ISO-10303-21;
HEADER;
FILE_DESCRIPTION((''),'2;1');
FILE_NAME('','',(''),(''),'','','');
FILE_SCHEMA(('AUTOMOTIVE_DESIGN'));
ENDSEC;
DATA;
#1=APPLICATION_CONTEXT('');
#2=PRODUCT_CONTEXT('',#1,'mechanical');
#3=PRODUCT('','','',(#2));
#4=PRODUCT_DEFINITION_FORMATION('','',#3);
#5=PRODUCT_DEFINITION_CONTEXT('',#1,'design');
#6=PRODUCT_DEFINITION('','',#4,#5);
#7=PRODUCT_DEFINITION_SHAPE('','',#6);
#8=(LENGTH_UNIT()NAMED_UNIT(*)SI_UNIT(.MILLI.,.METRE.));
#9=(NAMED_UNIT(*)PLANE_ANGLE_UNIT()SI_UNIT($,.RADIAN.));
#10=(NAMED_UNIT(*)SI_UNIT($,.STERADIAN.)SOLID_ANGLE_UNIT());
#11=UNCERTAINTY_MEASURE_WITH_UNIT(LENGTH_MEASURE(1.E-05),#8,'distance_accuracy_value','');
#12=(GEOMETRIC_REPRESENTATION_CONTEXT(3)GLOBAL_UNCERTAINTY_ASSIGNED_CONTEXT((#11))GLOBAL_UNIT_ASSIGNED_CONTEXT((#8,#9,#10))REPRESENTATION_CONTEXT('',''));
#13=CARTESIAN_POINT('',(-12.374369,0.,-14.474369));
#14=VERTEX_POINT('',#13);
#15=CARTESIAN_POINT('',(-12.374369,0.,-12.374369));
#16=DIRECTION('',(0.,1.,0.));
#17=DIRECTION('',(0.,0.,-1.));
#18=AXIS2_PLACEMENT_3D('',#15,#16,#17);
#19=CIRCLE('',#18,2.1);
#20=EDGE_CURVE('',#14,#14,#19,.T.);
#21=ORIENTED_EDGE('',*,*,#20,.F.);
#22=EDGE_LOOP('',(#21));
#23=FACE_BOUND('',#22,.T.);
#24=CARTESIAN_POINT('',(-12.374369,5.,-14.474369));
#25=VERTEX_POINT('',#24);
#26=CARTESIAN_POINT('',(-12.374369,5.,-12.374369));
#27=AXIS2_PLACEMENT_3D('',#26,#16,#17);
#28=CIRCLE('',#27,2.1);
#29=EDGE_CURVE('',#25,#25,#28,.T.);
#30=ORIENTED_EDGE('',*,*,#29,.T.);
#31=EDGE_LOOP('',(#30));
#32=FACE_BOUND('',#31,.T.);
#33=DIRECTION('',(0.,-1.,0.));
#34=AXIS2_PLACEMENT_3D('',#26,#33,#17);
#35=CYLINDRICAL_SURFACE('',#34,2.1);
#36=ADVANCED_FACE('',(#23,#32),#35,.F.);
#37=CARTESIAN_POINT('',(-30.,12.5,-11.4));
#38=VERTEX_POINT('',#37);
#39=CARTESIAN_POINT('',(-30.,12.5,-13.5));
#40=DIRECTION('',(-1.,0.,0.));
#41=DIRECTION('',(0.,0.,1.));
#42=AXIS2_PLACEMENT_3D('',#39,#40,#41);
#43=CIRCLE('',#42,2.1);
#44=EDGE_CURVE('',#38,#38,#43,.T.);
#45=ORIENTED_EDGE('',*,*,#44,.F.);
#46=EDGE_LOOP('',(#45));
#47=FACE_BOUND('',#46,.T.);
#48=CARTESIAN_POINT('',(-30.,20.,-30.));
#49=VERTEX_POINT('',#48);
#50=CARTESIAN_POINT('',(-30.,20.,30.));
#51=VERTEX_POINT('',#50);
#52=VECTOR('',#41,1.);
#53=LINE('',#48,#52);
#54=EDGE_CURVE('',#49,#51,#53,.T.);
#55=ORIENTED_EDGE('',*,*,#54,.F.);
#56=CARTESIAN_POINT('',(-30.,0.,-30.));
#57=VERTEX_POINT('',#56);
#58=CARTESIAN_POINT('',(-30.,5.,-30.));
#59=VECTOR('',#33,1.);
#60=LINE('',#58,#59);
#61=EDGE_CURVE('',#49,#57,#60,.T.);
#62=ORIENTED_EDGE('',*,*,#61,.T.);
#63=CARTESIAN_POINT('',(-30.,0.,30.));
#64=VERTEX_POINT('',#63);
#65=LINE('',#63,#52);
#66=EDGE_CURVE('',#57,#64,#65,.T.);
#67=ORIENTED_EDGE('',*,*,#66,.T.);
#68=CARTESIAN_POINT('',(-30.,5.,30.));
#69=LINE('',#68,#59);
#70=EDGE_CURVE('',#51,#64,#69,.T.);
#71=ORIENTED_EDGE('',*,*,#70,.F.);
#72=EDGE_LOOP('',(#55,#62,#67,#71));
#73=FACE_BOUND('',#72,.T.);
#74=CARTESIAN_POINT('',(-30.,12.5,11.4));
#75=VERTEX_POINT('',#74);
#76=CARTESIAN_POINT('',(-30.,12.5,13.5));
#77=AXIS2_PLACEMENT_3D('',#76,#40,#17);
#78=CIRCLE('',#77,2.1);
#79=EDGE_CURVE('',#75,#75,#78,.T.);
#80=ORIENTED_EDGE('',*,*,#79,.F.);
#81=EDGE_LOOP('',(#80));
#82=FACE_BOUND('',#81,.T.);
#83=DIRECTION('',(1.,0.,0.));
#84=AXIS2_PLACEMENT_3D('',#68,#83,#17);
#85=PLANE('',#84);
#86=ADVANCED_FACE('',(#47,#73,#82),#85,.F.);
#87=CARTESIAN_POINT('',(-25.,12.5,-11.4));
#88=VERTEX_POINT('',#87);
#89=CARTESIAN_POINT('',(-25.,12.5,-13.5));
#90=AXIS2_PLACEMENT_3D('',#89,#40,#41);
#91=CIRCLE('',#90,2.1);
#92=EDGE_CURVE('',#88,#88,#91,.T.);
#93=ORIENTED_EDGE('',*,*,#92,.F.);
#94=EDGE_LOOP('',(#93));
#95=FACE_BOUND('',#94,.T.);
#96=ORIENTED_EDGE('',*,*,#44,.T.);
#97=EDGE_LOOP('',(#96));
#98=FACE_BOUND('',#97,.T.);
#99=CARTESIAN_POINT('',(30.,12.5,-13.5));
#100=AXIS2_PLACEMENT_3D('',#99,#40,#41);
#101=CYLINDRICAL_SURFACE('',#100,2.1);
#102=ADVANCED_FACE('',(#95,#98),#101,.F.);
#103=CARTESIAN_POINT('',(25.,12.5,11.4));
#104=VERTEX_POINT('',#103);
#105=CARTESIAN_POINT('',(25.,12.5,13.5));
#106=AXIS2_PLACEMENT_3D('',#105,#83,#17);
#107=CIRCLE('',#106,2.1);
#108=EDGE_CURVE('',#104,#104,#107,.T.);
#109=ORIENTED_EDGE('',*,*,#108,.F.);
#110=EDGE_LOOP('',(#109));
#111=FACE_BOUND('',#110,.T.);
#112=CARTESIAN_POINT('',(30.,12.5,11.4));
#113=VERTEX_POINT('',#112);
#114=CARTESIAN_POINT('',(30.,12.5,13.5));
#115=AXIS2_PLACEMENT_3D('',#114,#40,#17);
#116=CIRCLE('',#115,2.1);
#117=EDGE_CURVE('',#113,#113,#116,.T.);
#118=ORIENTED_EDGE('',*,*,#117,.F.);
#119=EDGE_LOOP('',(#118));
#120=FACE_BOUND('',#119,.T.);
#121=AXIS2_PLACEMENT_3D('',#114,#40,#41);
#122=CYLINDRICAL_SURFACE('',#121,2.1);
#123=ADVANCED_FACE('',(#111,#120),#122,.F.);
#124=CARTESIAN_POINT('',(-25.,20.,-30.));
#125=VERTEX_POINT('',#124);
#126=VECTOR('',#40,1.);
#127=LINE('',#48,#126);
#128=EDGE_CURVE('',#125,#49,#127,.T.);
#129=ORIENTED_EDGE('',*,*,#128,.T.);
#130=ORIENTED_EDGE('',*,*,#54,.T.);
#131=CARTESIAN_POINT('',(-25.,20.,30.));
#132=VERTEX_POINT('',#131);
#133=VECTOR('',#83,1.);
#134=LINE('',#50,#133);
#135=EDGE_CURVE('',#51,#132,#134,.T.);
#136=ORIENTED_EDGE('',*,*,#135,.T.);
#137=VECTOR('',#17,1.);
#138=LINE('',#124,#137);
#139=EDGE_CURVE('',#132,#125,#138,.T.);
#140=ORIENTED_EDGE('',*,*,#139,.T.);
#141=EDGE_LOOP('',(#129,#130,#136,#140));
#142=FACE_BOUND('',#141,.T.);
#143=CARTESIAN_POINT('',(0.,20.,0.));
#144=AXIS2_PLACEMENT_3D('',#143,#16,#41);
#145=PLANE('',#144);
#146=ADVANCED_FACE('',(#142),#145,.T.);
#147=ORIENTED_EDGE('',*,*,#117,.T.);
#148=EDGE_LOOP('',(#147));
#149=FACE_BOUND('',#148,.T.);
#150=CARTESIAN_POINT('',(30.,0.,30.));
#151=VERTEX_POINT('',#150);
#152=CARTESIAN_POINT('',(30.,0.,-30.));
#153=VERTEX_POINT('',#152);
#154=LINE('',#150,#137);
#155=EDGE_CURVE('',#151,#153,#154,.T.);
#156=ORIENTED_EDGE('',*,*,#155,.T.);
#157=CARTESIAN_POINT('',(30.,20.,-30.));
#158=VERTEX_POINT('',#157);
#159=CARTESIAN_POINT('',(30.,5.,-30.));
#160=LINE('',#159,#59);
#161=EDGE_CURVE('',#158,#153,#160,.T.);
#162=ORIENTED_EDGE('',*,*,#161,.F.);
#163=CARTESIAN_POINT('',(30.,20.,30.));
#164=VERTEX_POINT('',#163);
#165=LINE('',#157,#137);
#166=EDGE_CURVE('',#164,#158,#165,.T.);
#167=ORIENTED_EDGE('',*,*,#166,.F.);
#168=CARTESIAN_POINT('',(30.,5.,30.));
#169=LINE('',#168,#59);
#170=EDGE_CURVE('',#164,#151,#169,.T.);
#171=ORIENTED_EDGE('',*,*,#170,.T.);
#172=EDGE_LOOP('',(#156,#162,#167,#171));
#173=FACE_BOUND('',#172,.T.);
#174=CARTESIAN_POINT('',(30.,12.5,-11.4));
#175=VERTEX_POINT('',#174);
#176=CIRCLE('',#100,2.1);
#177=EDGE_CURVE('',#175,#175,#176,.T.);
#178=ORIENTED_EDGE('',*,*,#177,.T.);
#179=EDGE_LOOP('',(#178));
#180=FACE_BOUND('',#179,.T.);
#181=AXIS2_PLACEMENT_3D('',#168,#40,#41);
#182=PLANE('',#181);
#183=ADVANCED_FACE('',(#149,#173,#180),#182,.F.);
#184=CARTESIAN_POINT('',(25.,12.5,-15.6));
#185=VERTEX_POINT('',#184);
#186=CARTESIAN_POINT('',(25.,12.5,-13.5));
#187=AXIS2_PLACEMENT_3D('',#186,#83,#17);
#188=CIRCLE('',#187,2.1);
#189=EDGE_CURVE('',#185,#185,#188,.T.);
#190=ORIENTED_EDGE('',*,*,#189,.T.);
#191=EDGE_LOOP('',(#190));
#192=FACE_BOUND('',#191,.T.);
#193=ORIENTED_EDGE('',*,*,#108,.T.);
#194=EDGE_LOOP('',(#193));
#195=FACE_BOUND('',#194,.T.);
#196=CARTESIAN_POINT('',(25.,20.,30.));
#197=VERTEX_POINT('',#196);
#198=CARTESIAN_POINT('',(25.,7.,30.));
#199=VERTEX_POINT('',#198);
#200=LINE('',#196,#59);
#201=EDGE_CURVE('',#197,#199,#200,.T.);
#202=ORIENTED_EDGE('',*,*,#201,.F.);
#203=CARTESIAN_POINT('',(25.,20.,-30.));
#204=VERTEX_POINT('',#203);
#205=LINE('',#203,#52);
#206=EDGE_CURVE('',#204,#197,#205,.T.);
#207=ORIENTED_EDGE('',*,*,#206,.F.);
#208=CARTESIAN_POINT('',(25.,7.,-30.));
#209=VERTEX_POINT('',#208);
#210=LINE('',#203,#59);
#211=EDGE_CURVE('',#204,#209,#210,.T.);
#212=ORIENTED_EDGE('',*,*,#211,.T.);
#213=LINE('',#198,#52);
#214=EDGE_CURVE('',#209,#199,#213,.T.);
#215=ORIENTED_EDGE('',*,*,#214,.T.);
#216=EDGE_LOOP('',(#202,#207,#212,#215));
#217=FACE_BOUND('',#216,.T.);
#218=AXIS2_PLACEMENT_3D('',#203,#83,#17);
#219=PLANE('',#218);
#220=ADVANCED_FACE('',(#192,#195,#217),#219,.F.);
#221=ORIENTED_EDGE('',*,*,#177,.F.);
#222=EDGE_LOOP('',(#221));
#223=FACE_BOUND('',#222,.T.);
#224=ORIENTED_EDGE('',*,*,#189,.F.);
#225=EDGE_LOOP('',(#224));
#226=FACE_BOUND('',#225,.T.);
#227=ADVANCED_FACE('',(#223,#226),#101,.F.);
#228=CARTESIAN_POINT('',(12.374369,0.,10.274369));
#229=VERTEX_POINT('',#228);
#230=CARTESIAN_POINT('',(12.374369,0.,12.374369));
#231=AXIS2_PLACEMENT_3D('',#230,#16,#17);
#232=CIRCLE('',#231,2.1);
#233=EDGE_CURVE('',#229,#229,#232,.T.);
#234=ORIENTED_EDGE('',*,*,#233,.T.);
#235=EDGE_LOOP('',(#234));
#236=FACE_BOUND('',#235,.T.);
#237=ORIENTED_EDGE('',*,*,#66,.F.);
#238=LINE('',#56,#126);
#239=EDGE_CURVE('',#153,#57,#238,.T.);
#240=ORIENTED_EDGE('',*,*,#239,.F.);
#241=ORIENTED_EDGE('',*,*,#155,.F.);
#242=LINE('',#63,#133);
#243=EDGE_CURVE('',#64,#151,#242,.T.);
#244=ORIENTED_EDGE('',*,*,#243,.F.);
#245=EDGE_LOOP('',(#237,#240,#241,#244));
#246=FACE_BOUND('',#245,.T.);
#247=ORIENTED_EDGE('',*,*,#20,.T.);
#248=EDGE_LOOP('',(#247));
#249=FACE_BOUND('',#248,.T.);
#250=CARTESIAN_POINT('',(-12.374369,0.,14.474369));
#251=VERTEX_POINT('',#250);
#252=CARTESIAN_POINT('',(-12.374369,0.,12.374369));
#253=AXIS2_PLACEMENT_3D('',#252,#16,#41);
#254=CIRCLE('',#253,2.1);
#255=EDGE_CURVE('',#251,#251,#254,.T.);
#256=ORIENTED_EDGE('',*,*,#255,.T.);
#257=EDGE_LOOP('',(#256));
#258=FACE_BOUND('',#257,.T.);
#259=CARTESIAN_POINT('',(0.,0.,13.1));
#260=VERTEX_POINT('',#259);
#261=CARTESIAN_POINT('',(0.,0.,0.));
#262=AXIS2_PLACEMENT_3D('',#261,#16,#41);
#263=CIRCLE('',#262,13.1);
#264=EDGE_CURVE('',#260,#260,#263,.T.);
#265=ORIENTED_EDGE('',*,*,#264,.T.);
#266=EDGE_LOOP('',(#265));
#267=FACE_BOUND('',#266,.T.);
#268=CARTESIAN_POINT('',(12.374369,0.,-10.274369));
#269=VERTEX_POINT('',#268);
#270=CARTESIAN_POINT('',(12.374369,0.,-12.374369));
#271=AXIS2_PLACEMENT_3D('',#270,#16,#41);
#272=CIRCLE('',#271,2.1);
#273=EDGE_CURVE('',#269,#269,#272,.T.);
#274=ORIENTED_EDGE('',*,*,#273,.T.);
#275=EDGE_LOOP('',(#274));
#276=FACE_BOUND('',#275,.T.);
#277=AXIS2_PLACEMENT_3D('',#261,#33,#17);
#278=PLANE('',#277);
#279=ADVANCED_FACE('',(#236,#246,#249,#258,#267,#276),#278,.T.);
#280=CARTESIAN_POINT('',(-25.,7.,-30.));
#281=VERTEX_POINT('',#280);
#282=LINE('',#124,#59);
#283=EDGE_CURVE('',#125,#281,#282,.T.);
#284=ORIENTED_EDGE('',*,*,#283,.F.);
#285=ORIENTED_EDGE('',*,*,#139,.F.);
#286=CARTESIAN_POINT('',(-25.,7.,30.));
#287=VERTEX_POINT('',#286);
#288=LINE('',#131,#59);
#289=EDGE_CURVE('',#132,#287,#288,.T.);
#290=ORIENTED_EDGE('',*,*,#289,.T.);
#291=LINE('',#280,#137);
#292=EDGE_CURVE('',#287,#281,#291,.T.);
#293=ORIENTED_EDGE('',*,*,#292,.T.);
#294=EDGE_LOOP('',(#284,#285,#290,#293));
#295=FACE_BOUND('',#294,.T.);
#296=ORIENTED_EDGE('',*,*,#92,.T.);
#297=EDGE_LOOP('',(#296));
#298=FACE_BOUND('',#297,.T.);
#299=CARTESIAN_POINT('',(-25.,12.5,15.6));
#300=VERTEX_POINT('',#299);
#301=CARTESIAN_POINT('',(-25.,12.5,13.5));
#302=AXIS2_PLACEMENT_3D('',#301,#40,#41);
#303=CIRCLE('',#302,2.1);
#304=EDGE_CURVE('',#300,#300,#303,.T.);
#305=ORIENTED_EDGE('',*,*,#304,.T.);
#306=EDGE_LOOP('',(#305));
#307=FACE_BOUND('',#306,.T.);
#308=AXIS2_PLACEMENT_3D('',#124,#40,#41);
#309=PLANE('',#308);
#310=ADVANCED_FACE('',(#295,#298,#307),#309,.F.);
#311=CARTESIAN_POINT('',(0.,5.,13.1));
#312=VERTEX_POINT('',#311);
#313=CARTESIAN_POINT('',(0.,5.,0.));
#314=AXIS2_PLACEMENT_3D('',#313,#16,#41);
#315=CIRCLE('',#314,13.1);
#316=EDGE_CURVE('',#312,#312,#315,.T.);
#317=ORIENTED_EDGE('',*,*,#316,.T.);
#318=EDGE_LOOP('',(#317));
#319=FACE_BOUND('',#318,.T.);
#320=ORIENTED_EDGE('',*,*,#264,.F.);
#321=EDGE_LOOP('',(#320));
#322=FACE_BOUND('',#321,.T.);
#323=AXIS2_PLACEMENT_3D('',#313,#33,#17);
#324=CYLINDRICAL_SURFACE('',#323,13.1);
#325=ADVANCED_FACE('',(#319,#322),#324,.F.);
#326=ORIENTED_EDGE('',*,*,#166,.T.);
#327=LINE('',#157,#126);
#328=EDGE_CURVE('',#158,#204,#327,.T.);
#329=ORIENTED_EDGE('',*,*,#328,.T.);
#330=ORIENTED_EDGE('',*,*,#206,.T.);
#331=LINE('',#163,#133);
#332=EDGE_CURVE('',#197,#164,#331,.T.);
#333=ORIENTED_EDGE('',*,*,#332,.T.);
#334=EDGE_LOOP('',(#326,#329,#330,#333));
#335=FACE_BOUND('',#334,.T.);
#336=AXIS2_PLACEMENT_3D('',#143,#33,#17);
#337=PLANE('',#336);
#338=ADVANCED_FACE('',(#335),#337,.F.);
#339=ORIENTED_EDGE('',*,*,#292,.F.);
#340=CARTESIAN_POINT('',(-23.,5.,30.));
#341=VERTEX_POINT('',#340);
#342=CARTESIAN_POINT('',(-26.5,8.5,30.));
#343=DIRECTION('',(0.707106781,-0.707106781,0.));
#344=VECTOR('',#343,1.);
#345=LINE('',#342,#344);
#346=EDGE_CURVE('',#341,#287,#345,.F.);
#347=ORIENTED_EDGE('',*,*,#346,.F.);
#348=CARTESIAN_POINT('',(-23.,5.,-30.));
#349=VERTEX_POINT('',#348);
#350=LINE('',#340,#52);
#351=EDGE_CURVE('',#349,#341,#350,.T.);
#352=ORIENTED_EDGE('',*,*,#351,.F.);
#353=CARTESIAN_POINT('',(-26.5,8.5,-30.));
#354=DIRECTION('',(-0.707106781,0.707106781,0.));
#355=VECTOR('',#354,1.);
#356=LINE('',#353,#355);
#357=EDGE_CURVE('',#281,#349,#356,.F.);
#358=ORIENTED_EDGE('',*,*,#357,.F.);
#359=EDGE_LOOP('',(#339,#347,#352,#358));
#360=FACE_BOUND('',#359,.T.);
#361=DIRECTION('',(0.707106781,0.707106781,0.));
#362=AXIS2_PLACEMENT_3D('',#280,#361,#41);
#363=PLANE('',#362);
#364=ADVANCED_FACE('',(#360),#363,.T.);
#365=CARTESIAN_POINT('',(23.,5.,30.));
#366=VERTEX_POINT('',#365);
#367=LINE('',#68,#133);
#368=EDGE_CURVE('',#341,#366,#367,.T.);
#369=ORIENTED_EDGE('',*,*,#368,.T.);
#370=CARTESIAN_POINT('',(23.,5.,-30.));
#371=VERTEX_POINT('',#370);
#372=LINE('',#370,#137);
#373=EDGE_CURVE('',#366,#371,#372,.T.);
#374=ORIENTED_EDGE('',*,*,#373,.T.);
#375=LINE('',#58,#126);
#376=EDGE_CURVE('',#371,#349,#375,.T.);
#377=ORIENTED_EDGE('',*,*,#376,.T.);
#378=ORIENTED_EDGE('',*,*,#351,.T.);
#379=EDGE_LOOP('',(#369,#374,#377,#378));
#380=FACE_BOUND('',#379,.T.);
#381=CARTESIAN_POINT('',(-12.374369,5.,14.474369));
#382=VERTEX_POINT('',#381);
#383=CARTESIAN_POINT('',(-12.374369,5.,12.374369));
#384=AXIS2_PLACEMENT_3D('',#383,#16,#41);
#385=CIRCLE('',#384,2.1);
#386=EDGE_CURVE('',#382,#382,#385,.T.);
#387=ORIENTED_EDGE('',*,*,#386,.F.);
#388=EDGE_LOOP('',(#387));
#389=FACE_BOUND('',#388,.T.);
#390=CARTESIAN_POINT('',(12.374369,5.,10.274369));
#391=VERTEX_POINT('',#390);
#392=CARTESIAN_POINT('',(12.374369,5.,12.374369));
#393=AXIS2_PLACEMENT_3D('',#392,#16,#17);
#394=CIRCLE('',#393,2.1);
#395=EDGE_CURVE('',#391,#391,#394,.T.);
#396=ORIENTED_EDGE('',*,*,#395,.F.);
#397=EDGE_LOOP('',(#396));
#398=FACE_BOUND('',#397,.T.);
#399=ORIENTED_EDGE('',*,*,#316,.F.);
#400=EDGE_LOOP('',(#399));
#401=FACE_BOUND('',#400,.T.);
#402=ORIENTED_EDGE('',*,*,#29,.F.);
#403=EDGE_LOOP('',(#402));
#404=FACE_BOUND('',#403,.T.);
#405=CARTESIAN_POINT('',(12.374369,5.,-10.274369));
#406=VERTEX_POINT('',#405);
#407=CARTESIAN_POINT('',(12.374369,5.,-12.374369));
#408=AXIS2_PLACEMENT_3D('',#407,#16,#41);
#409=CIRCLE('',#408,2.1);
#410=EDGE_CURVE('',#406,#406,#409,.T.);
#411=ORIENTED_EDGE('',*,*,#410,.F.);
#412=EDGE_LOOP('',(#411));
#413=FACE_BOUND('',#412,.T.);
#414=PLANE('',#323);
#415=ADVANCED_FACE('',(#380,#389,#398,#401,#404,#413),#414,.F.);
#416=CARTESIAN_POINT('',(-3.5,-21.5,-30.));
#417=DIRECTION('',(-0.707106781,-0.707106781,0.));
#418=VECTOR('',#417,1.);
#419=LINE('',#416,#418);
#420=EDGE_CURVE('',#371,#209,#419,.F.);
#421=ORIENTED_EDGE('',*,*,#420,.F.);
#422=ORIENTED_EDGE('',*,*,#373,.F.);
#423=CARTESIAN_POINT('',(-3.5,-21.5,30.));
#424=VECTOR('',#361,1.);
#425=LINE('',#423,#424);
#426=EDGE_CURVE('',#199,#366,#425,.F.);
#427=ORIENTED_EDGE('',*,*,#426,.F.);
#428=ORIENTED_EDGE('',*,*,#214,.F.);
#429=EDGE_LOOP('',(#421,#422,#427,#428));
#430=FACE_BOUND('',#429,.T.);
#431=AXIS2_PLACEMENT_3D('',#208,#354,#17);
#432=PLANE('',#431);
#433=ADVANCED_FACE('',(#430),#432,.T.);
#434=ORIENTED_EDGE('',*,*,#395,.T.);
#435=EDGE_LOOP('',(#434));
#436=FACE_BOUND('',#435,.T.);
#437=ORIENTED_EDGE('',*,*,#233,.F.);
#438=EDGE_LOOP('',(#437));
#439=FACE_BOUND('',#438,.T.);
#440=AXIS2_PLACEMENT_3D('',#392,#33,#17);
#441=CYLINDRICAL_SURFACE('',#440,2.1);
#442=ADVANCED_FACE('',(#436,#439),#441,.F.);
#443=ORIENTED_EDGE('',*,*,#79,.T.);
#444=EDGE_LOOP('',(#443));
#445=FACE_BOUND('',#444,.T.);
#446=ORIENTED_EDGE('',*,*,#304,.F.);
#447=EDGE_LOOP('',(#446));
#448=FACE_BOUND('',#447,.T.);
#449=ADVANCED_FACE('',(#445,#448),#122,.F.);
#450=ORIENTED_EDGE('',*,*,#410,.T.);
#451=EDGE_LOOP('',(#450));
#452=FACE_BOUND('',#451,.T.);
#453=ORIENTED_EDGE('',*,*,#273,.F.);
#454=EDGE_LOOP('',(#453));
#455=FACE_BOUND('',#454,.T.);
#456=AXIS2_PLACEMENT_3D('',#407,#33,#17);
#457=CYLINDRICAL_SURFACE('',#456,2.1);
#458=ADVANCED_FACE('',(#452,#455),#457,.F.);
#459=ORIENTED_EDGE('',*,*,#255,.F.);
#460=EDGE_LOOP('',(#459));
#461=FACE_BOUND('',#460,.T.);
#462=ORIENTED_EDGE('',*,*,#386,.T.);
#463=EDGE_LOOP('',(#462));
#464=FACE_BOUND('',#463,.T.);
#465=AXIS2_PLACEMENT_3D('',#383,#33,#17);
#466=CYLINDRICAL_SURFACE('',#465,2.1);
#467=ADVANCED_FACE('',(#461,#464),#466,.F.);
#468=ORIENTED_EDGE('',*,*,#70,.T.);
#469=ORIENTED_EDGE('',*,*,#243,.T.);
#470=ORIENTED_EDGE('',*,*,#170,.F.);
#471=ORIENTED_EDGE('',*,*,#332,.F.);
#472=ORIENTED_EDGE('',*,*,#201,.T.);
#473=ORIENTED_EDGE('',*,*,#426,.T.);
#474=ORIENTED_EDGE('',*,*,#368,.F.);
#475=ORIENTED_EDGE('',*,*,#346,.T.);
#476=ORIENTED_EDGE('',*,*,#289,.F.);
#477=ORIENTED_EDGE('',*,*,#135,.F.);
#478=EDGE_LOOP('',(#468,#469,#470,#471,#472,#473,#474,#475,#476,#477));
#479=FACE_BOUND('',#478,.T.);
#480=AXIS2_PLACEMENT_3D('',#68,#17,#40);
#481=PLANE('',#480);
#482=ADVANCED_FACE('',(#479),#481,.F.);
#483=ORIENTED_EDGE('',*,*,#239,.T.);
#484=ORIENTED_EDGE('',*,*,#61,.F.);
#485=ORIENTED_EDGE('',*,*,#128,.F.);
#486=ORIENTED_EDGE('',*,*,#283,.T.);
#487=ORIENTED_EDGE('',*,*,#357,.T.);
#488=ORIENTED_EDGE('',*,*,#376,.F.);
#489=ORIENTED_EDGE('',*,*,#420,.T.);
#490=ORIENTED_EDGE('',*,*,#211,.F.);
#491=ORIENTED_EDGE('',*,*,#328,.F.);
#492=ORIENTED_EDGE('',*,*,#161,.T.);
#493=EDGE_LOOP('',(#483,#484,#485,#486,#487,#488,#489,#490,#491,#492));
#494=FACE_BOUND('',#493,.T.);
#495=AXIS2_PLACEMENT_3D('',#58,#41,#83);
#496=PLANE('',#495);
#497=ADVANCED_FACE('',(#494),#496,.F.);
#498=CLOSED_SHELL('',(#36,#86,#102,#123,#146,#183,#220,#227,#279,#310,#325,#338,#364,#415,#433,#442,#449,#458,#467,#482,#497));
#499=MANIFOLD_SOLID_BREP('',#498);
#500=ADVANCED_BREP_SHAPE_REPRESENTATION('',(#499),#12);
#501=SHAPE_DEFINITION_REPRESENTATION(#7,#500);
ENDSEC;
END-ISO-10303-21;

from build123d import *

# Parameters (mm, degrees)
SKETCH_1_W           = 60
SKETCH_1_H           = 60
SKETCH_1_R           = 13.1
SKETCH_1_R_2         = 2.1
EXTRUDE_1_DEPTH      = 5
SKETCH_2_W           = 5
SKETCH_2_H           = 60
EXTRUDE_2_DEPTH      = 15
SKETCH_4_R           = 2.1
CUT_EXTRUDE_M4_DEPTH = 71
CHAMFER_1_SIZE       = 2


with BuildPart() as part:
    # 草图1 → 凸台-拉伸1 (new body)
    with BuildSketch(Plane(origin=(0, 0, 0), x_dir=(1, 0, 0), z_dir=(0, 1, 0))):
        Rectangle(SKETCH_1_W, SKETCH_1_H)
        with Locations(Location((0, 0, 0), (0, 0, 270))):
            Circle(SKETCH_1_R, mode=Mode.SUBTRACT)
        with Locations(Location((-12.374368671, -12.374368671, 0), (0, 0, 270))):
            Circle(SKETCH_1_R_2, mode=Mode.SUBTRACT)
        with Locations(Location((12.374368671, -12.374368671, 0), (0, 0, 90))):
            Circle(SKETCH_1_R_2, mode=Mode.SUBTRACT)
        with Locations(Location((-12.374368671, 12.374368671, 0), (0, 0, 90))):
            Circle(SKETCH_1_R_2, mode=Mode.SUBTRACT)
        with Locations(Location((12.374368671, 12.374368671, 0), (0, 0, 270))):
            Circle(SKETCH_1_R_2, mode=Mode.SUBTRACT)
    extrude(amount=EXTRUDE_1_DEPTH)

    # 草图2 → 凸台-拉伸2 (add)
    with BuildSketch(Plane(origin=(0, 5, 0), x_dir=(1, 0, 0), z_dir=(0, 1, 0))):
        with Locations((-27.5, 0)):
            Rectangle(SKETCH_2_W, SKETCH_2_H)
        with Locations((27.5, 0)):
            Rectangle(SKETCH_2_W, SKETCH_2_H)
    extrude(amount=EXTRUDE_2_DEPTH)

    # 草图4 → M4通孔 (cut, through all)
    with BuildSketch(Plane.ZY.offset(30)):
        with Locations((-13.5, 12.5)):
            Circle(SKETCH_4_R)
        with Locations(Location((13.5, 12.5, 0), (0, 0, 180))):
            Circle(SKETCH_4_R)
    extrude(amount=-CUT_EXTRUDE_M4_DEPTH, mode=Mode.SUBTRACT)

    # 倒角1
    chamfer_1_edges = [part.edges().sort_by_distance(p)[0] for p in [
        (-25, 5, 0),
        (25, 5, 0),
    ]]
    chamfer(chamfer_1_edges, length=CHAMFER_1_SIZE)


solid = part.part
